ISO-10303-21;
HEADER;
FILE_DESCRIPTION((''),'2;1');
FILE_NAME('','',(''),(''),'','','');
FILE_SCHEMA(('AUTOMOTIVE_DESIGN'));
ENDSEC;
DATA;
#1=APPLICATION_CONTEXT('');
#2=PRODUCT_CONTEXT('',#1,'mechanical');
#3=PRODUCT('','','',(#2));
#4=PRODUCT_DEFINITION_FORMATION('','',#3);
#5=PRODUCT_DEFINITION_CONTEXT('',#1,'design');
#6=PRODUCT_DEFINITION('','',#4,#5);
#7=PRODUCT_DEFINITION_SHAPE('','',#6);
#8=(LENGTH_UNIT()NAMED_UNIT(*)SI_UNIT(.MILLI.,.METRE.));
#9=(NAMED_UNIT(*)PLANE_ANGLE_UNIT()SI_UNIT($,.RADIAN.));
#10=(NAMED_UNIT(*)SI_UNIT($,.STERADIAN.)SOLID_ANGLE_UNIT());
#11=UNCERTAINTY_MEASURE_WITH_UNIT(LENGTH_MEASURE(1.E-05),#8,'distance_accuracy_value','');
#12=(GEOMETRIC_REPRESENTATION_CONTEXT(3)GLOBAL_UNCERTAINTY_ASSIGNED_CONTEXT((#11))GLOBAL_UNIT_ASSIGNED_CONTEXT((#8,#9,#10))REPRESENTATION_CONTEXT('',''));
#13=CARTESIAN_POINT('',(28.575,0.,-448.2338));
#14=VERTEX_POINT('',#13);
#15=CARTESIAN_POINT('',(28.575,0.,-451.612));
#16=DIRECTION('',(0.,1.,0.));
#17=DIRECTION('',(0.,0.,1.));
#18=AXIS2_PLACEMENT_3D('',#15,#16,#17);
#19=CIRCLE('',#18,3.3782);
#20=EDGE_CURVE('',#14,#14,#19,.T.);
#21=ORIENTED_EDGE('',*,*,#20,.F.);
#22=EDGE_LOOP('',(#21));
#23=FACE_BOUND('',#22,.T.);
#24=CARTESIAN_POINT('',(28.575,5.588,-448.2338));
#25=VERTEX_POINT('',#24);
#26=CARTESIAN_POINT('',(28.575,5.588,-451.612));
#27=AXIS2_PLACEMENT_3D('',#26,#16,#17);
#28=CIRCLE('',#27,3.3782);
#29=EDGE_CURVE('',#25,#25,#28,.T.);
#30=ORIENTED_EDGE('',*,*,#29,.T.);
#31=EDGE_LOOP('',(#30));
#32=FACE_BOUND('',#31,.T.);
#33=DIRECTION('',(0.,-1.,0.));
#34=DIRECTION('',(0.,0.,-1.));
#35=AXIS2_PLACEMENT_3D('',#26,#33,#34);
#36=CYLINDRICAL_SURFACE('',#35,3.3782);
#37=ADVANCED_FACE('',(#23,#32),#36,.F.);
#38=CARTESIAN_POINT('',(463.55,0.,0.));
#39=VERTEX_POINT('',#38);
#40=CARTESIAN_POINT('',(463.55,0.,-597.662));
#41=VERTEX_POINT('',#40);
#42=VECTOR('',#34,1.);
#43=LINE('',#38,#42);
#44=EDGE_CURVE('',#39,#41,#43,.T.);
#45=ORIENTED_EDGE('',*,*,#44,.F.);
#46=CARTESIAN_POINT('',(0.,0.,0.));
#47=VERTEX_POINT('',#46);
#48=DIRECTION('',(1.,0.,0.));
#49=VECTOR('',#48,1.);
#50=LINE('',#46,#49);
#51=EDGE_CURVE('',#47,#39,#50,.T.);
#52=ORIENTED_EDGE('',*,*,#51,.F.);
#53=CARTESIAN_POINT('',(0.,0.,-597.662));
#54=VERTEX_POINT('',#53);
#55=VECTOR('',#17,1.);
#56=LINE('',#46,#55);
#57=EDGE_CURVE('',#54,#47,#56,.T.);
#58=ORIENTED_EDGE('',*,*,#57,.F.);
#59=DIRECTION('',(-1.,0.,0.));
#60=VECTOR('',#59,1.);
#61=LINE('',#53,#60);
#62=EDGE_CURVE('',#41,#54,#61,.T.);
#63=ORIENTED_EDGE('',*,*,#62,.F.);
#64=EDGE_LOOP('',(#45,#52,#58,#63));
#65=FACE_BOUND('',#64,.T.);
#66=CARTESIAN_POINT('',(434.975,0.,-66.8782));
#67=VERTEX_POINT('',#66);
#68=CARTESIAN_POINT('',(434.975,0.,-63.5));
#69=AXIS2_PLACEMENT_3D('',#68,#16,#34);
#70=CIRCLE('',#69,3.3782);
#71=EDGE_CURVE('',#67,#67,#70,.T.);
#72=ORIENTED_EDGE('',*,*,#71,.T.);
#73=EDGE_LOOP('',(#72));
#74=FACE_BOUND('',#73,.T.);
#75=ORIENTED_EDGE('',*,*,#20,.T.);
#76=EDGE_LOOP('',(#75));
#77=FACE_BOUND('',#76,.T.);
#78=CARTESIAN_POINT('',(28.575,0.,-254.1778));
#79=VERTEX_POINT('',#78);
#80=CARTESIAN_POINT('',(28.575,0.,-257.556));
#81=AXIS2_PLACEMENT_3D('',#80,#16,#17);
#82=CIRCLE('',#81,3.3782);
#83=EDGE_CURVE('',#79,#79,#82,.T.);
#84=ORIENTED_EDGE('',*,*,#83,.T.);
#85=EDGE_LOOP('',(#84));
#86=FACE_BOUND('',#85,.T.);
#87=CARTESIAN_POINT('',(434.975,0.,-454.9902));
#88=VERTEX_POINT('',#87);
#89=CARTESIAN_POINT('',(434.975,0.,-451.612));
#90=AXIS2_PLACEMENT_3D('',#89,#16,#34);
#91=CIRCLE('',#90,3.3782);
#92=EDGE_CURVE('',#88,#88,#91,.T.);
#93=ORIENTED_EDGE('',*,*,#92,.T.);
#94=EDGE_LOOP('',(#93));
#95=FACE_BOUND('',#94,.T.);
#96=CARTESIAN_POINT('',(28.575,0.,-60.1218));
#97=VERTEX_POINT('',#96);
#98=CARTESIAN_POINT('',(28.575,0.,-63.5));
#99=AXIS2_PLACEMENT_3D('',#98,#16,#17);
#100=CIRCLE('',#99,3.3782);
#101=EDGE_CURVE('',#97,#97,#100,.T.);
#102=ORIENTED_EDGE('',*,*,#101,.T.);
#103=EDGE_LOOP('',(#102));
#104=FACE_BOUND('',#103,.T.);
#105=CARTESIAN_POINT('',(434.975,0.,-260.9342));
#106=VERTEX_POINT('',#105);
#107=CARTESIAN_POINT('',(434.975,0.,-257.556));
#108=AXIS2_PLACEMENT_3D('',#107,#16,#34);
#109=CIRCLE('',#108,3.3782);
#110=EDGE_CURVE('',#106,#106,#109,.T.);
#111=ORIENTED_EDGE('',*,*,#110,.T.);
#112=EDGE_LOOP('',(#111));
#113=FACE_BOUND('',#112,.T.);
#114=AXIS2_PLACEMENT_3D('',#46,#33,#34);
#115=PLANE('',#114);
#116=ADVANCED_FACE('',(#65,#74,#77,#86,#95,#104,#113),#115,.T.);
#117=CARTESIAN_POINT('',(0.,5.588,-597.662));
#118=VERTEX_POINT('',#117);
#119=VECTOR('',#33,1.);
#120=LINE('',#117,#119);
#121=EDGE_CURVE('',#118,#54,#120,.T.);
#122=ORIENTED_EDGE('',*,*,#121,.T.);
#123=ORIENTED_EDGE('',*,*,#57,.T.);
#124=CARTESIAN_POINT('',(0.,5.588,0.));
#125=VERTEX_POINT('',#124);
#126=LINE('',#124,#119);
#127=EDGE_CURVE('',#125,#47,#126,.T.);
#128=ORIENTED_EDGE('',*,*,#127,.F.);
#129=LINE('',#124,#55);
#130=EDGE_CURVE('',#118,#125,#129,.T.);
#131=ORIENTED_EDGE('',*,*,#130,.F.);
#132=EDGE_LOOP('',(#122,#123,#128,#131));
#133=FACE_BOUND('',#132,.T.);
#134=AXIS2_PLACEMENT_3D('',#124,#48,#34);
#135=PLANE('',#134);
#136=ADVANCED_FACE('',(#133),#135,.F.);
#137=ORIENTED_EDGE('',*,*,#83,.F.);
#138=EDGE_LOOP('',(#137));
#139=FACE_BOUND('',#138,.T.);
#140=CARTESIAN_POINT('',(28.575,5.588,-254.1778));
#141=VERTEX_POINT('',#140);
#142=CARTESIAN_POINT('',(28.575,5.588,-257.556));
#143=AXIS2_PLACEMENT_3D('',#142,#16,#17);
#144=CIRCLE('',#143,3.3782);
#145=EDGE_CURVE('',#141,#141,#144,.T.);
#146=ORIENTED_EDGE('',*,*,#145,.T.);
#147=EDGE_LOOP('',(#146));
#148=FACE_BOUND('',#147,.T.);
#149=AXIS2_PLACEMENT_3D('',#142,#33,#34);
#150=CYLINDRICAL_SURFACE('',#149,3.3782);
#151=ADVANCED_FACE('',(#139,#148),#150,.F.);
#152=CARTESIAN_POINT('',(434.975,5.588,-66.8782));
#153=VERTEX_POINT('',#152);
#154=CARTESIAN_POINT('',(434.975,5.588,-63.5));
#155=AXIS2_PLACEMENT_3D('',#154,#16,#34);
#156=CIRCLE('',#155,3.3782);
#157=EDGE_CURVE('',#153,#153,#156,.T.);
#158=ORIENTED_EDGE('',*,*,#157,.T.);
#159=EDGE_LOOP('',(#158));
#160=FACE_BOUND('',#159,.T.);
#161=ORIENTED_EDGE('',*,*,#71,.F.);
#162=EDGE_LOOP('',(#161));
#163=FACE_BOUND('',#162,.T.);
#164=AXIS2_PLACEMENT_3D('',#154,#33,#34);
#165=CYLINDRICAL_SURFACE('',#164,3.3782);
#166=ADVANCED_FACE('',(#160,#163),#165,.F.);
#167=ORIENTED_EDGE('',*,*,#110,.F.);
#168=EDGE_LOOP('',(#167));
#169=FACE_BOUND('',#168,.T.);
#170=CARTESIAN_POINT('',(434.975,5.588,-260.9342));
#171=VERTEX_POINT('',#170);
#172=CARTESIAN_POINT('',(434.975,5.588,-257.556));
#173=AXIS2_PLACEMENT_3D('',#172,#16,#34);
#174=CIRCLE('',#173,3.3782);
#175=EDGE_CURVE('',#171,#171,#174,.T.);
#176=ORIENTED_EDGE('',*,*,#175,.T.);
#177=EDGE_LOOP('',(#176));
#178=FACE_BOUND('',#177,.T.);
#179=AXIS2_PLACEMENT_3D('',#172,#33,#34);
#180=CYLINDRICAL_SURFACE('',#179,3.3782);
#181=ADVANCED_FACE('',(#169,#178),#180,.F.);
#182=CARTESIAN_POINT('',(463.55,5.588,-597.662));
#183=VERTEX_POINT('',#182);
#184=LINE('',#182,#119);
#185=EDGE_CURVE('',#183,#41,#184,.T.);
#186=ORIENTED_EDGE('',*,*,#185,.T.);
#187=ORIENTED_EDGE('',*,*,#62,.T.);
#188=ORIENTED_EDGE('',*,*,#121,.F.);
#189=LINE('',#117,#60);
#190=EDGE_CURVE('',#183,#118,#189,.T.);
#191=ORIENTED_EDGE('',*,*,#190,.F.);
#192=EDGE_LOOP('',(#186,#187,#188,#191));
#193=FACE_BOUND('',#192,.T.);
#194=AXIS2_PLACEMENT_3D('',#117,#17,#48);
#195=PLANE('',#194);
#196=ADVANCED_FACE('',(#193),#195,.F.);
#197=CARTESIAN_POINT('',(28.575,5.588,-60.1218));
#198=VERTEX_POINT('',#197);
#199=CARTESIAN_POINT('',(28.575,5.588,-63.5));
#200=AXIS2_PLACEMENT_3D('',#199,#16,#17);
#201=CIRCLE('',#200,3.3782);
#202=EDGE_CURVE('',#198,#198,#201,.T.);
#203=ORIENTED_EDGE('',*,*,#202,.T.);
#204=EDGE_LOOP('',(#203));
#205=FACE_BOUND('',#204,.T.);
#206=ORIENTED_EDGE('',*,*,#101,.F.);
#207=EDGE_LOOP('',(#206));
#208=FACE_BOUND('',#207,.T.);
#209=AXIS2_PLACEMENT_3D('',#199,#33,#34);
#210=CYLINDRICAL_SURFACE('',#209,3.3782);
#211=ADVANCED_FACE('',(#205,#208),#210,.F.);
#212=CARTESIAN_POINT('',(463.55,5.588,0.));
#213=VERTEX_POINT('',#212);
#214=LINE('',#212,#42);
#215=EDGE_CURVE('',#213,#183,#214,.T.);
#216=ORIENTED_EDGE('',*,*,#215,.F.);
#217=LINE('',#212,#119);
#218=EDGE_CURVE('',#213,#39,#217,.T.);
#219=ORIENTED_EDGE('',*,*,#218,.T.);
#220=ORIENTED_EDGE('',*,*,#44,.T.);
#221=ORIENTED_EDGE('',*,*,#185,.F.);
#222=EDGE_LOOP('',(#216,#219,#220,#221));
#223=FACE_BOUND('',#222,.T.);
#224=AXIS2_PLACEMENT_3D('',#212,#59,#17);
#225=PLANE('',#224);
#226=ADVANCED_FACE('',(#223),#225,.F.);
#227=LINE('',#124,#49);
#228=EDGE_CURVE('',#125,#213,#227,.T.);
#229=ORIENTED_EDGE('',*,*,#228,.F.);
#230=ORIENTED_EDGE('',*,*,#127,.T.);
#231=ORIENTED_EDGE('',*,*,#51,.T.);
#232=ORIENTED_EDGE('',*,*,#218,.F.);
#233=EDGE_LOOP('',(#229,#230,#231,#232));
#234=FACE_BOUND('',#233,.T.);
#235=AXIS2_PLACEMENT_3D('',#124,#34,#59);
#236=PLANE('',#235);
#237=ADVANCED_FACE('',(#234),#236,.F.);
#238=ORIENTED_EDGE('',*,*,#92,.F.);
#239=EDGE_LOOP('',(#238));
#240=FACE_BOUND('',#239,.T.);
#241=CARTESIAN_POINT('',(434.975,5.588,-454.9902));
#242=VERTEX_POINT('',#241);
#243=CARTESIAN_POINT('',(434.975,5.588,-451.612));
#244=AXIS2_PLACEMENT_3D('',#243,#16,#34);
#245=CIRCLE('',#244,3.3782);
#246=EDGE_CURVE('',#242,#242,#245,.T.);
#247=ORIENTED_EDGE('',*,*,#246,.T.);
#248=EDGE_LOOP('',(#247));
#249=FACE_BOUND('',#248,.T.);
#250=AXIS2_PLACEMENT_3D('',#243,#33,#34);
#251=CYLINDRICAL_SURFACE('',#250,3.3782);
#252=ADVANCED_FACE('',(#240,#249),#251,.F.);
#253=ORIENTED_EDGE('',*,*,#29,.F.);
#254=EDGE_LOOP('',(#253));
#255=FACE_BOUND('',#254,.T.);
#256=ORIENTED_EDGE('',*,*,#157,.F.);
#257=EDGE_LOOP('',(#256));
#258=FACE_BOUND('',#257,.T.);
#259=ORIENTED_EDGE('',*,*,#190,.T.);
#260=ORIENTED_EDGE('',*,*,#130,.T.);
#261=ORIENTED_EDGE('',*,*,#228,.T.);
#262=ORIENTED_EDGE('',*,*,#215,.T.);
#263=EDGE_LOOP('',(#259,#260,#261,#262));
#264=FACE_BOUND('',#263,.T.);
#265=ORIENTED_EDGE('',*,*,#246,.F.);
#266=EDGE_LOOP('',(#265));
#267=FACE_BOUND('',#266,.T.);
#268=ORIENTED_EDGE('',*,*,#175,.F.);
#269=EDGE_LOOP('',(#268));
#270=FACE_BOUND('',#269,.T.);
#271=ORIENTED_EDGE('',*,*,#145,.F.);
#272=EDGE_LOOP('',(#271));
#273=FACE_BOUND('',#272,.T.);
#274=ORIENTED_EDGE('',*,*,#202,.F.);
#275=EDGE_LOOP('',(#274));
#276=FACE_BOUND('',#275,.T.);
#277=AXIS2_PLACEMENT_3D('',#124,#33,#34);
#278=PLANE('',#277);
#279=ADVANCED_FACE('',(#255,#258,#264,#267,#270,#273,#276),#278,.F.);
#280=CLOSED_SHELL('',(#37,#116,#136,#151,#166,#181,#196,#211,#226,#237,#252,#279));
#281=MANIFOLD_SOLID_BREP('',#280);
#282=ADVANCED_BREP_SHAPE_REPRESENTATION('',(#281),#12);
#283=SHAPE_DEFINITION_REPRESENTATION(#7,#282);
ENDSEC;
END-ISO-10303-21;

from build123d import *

# Parameters (mm, degrees)
SKETCH1_W           = 463.55
SKETCH1_H           = 597.662
SKETCH1_R           = 3.3782
BOSS_EXTRUDE1_DEPTH = 5.588


with BuildPart() as part:
    # Sketch1 → Boss-Extrude1 (new body)
    with BuildSketch(Plane(origin=(0, 0, 0), x_dir=(1, 0, 0), z_dir=(0, 1, 0))):
        with Locations((231.775, 298.831)):
            Rectangle(SKETCH1_W, SKETCH1_H)
        with Locations(Location((28.575, 63.5, 0), (0, 0, 270))):
            Circle(SKETCH1_R, mode=Mode.SUBTRACT)
        with Locations(Location((28.575, 257.556, 0), (0, 0, 270))):
            Circle(SKETCH1_R, mode=Mode.SUBTRACT)
        with Locations(Location((28.575, 451.612, 0), (0, 0, 270))):
            Circle(SKETCH1_R, mode=Mode.SUBTRACT)
        with Locations(Location((434.975, 451.612, 0), (0, 0, 90))):
            Circle(SKETCH1_R, mode=Mode.SUBTRACT)
        with Locations(Location((434.975, 257.556, 0), (0, 0, 90))):
            Circle(SKETCH1_R, mode=Mode.SUBTRACT)
        with Locations(Location((434.975, 63.5, 0), (0, 0, 90))):
            Circle(SKETCH1_R, mode=Mode.SUBTRACT)
    extrude(amount=BOSS_EXTRUDE1_DEPTH)


solid = part.part
